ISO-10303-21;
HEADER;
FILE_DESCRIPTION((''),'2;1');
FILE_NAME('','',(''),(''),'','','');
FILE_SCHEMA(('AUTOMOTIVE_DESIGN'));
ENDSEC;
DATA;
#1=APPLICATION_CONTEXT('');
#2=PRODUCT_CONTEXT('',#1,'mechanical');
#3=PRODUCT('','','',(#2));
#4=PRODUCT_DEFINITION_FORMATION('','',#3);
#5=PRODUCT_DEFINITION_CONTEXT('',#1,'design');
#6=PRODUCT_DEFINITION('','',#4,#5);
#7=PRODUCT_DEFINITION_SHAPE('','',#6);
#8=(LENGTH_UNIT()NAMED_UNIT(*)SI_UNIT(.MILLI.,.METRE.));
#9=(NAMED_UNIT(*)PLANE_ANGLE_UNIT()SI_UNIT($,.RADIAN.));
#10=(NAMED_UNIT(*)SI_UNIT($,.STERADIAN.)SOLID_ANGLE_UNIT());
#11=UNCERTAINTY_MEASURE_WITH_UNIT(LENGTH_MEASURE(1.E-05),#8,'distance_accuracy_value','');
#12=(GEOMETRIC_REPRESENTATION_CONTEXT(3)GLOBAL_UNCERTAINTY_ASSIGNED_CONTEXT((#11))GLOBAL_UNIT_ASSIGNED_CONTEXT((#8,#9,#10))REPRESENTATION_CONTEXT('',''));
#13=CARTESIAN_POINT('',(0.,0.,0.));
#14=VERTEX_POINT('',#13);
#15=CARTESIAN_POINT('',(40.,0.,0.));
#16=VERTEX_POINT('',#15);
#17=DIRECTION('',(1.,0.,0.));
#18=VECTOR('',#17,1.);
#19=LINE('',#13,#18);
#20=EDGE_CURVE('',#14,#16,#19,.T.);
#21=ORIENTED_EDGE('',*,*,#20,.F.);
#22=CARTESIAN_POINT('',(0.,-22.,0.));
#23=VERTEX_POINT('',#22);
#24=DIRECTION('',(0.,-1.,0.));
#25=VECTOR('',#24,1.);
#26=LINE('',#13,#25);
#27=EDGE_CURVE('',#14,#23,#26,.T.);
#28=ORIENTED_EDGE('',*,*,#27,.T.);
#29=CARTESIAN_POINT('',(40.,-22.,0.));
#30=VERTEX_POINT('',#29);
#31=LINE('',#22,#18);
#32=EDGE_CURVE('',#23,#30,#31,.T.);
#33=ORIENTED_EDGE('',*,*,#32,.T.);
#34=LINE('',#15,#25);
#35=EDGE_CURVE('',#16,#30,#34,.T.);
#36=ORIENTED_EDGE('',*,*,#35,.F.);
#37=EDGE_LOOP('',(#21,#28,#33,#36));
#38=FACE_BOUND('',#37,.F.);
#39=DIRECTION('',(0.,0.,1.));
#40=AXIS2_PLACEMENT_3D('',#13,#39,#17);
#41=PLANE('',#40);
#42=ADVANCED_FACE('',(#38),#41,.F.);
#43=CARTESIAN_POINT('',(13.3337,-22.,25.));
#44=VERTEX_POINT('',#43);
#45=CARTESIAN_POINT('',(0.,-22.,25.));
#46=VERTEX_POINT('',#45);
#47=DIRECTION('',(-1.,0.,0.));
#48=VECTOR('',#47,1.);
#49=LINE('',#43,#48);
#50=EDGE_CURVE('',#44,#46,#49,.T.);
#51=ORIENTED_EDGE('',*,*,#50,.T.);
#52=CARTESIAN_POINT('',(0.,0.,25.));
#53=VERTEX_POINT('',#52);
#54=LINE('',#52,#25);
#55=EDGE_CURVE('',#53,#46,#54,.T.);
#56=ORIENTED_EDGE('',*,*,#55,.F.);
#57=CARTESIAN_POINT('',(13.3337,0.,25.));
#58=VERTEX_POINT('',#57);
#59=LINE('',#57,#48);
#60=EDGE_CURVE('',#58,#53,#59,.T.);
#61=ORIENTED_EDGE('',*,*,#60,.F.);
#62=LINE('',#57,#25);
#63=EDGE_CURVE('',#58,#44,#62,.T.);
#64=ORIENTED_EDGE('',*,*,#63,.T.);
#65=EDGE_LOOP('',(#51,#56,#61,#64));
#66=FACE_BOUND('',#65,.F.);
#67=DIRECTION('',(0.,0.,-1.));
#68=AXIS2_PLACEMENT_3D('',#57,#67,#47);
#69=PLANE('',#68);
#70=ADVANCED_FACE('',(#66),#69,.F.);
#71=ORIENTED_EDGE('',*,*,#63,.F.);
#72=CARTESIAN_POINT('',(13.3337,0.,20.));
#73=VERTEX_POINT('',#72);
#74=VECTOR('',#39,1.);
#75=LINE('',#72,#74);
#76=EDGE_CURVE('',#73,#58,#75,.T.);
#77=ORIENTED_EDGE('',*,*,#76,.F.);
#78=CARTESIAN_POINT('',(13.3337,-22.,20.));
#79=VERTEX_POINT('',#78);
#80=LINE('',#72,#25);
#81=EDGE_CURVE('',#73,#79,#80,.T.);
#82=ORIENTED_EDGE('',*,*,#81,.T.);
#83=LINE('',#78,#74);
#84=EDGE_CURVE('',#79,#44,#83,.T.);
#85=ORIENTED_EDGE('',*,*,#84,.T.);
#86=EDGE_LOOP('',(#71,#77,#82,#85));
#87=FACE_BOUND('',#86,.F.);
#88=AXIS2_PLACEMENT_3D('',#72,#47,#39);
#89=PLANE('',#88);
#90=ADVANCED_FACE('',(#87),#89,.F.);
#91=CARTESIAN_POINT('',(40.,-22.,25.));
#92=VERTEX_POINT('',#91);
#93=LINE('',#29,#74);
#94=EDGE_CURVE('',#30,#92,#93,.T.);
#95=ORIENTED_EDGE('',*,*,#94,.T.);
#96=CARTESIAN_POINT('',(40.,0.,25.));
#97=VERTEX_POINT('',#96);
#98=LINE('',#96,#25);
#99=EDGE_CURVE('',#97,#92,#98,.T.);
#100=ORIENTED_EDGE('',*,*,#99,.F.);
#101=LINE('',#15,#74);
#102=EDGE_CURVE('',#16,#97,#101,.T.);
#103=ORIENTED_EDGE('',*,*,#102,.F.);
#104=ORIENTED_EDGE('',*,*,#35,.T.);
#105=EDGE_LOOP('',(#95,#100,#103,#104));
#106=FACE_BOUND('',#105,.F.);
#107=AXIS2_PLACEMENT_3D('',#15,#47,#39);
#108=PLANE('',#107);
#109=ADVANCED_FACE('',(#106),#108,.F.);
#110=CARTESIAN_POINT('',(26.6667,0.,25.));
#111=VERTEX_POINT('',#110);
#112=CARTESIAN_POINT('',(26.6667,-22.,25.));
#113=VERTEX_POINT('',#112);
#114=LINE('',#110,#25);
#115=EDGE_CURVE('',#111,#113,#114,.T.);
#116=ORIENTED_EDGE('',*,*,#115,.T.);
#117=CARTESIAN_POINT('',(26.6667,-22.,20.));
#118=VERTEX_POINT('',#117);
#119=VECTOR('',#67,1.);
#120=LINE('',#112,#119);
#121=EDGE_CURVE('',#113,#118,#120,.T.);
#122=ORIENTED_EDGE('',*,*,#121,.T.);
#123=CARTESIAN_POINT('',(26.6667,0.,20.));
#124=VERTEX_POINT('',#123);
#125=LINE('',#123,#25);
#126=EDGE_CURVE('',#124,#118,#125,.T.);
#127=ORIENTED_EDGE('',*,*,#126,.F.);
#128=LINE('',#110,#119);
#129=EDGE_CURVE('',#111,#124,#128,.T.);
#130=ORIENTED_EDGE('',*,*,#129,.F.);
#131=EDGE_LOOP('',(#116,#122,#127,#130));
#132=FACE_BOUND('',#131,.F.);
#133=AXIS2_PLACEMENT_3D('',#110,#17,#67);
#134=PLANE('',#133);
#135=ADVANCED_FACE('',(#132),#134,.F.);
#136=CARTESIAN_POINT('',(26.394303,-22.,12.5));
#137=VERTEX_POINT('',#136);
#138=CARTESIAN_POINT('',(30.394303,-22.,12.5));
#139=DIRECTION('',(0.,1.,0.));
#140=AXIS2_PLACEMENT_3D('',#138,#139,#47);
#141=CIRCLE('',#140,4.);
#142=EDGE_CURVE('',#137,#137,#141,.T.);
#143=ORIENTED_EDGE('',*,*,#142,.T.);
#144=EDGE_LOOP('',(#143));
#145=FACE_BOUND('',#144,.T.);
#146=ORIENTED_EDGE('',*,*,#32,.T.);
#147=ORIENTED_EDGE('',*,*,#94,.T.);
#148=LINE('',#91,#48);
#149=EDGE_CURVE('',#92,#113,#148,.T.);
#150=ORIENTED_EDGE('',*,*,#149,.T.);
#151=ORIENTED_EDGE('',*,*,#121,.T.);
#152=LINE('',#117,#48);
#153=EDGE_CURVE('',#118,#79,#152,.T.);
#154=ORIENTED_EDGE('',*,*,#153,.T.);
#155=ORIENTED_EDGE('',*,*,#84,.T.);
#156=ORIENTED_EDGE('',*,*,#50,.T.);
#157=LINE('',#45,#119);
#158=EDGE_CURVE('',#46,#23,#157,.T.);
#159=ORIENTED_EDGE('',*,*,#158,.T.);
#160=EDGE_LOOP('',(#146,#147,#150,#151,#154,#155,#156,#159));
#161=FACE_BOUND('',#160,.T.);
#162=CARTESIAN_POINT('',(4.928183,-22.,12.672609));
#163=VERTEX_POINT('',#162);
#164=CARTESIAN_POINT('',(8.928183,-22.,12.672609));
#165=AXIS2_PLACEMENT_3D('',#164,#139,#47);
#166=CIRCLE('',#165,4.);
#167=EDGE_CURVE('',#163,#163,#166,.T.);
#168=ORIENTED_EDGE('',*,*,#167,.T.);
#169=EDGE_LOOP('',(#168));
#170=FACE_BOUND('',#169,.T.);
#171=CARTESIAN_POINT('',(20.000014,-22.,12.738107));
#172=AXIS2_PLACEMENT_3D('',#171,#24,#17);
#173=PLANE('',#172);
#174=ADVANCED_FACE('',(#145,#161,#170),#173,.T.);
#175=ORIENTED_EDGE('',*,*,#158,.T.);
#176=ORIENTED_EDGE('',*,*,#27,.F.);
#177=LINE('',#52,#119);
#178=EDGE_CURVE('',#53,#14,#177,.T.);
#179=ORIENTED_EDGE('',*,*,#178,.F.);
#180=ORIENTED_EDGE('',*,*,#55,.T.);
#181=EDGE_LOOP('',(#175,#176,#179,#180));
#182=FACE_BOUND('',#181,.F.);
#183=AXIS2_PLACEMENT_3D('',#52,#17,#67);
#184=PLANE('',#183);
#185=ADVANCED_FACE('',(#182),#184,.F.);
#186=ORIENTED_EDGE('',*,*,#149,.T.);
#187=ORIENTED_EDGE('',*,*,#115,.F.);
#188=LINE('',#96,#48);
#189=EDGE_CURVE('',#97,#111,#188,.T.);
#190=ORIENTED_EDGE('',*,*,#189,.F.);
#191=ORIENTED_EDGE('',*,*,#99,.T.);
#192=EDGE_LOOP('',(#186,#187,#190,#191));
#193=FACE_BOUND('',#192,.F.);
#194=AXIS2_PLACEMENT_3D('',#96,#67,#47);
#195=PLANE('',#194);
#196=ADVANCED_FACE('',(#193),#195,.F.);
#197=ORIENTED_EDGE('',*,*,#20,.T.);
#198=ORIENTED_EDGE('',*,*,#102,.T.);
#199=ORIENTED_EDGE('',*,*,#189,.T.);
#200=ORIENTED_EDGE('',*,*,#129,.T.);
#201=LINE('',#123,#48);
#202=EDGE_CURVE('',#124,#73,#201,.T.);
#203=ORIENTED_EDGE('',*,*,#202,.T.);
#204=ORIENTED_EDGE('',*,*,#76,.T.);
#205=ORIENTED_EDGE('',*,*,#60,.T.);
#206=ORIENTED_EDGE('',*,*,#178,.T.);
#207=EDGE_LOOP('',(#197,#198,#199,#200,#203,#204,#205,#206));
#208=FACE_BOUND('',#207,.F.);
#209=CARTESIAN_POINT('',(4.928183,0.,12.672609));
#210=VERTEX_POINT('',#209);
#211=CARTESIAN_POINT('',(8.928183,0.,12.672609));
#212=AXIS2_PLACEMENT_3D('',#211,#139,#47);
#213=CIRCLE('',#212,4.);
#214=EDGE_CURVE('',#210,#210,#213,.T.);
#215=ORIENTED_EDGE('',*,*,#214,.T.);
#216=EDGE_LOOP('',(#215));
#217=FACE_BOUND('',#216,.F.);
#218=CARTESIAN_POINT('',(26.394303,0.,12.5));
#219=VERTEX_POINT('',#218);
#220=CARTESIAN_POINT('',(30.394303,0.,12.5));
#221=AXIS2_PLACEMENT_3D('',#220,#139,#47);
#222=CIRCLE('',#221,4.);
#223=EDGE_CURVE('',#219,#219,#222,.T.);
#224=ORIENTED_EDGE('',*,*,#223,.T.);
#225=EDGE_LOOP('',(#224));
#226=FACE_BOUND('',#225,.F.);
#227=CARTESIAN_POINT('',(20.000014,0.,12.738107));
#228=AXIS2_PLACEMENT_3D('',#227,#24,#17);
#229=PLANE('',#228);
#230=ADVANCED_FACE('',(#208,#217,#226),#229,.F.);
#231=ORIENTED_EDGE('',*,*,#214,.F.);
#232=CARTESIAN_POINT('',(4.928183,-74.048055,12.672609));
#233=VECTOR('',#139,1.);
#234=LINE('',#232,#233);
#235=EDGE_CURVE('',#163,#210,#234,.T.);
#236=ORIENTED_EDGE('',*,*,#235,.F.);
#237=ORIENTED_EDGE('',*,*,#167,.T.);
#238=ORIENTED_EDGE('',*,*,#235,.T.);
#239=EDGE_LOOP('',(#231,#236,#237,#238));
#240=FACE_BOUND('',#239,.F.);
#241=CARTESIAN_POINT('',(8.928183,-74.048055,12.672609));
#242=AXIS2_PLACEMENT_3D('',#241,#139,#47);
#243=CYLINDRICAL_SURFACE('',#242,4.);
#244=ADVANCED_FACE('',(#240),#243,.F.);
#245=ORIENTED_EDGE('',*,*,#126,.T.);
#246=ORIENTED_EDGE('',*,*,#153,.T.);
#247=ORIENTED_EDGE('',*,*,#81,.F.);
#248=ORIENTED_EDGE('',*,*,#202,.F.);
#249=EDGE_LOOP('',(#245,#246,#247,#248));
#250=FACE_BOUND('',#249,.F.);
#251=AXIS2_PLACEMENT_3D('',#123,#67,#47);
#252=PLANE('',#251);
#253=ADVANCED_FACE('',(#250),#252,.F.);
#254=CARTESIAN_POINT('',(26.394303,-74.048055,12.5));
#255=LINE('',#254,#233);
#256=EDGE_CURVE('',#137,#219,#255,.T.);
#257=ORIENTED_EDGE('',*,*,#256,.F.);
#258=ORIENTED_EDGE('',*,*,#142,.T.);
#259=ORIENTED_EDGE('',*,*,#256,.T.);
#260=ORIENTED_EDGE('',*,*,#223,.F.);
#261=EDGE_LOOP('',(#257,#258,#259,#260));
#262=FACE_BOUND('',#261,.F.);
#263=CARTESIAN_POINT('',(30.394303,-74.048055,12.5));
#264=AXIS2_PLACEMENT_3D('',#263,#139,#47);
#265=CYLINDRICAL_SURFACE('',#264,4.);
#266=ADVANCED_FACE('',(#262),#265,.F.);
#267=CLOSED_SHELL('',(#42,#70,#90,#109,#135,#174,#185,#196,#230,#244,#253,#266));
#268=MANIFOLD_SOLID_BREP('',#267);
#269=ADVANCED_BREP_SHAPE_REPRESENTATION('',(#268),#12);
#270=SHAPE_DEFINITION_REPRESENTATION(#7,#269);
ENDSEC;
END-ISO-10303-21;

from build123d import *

# Parameters (mm, degrees)
F1_DEPTH = 22
F3_D     = 8
F5_D     = 8


with BuildPart() as f1:
    # F0 (on Front) → F1 (new body)
    with BuildSketch(Plane.XZ):
        Polygon((0, 25), (0, 0), (40, 0), (40, 25), (26.6667, 25), (26.6667, 20), (13.3337, 20), (13.3337, 25), align=None)
    extrude(amount=F1_DEPTH)

    # F3 (through all)
    with Locations(Plane.XZ.offset(22)):
        with Locations((8.928183, 12.672609)):
            Hole(F3_D / 2)

    # F5 (through all)
    with Locations(Plane.XZ.offset(22)):
        with Locations((30.394303, 12.5)):
            Hole(F5_D / 2)


solid = f1.part
